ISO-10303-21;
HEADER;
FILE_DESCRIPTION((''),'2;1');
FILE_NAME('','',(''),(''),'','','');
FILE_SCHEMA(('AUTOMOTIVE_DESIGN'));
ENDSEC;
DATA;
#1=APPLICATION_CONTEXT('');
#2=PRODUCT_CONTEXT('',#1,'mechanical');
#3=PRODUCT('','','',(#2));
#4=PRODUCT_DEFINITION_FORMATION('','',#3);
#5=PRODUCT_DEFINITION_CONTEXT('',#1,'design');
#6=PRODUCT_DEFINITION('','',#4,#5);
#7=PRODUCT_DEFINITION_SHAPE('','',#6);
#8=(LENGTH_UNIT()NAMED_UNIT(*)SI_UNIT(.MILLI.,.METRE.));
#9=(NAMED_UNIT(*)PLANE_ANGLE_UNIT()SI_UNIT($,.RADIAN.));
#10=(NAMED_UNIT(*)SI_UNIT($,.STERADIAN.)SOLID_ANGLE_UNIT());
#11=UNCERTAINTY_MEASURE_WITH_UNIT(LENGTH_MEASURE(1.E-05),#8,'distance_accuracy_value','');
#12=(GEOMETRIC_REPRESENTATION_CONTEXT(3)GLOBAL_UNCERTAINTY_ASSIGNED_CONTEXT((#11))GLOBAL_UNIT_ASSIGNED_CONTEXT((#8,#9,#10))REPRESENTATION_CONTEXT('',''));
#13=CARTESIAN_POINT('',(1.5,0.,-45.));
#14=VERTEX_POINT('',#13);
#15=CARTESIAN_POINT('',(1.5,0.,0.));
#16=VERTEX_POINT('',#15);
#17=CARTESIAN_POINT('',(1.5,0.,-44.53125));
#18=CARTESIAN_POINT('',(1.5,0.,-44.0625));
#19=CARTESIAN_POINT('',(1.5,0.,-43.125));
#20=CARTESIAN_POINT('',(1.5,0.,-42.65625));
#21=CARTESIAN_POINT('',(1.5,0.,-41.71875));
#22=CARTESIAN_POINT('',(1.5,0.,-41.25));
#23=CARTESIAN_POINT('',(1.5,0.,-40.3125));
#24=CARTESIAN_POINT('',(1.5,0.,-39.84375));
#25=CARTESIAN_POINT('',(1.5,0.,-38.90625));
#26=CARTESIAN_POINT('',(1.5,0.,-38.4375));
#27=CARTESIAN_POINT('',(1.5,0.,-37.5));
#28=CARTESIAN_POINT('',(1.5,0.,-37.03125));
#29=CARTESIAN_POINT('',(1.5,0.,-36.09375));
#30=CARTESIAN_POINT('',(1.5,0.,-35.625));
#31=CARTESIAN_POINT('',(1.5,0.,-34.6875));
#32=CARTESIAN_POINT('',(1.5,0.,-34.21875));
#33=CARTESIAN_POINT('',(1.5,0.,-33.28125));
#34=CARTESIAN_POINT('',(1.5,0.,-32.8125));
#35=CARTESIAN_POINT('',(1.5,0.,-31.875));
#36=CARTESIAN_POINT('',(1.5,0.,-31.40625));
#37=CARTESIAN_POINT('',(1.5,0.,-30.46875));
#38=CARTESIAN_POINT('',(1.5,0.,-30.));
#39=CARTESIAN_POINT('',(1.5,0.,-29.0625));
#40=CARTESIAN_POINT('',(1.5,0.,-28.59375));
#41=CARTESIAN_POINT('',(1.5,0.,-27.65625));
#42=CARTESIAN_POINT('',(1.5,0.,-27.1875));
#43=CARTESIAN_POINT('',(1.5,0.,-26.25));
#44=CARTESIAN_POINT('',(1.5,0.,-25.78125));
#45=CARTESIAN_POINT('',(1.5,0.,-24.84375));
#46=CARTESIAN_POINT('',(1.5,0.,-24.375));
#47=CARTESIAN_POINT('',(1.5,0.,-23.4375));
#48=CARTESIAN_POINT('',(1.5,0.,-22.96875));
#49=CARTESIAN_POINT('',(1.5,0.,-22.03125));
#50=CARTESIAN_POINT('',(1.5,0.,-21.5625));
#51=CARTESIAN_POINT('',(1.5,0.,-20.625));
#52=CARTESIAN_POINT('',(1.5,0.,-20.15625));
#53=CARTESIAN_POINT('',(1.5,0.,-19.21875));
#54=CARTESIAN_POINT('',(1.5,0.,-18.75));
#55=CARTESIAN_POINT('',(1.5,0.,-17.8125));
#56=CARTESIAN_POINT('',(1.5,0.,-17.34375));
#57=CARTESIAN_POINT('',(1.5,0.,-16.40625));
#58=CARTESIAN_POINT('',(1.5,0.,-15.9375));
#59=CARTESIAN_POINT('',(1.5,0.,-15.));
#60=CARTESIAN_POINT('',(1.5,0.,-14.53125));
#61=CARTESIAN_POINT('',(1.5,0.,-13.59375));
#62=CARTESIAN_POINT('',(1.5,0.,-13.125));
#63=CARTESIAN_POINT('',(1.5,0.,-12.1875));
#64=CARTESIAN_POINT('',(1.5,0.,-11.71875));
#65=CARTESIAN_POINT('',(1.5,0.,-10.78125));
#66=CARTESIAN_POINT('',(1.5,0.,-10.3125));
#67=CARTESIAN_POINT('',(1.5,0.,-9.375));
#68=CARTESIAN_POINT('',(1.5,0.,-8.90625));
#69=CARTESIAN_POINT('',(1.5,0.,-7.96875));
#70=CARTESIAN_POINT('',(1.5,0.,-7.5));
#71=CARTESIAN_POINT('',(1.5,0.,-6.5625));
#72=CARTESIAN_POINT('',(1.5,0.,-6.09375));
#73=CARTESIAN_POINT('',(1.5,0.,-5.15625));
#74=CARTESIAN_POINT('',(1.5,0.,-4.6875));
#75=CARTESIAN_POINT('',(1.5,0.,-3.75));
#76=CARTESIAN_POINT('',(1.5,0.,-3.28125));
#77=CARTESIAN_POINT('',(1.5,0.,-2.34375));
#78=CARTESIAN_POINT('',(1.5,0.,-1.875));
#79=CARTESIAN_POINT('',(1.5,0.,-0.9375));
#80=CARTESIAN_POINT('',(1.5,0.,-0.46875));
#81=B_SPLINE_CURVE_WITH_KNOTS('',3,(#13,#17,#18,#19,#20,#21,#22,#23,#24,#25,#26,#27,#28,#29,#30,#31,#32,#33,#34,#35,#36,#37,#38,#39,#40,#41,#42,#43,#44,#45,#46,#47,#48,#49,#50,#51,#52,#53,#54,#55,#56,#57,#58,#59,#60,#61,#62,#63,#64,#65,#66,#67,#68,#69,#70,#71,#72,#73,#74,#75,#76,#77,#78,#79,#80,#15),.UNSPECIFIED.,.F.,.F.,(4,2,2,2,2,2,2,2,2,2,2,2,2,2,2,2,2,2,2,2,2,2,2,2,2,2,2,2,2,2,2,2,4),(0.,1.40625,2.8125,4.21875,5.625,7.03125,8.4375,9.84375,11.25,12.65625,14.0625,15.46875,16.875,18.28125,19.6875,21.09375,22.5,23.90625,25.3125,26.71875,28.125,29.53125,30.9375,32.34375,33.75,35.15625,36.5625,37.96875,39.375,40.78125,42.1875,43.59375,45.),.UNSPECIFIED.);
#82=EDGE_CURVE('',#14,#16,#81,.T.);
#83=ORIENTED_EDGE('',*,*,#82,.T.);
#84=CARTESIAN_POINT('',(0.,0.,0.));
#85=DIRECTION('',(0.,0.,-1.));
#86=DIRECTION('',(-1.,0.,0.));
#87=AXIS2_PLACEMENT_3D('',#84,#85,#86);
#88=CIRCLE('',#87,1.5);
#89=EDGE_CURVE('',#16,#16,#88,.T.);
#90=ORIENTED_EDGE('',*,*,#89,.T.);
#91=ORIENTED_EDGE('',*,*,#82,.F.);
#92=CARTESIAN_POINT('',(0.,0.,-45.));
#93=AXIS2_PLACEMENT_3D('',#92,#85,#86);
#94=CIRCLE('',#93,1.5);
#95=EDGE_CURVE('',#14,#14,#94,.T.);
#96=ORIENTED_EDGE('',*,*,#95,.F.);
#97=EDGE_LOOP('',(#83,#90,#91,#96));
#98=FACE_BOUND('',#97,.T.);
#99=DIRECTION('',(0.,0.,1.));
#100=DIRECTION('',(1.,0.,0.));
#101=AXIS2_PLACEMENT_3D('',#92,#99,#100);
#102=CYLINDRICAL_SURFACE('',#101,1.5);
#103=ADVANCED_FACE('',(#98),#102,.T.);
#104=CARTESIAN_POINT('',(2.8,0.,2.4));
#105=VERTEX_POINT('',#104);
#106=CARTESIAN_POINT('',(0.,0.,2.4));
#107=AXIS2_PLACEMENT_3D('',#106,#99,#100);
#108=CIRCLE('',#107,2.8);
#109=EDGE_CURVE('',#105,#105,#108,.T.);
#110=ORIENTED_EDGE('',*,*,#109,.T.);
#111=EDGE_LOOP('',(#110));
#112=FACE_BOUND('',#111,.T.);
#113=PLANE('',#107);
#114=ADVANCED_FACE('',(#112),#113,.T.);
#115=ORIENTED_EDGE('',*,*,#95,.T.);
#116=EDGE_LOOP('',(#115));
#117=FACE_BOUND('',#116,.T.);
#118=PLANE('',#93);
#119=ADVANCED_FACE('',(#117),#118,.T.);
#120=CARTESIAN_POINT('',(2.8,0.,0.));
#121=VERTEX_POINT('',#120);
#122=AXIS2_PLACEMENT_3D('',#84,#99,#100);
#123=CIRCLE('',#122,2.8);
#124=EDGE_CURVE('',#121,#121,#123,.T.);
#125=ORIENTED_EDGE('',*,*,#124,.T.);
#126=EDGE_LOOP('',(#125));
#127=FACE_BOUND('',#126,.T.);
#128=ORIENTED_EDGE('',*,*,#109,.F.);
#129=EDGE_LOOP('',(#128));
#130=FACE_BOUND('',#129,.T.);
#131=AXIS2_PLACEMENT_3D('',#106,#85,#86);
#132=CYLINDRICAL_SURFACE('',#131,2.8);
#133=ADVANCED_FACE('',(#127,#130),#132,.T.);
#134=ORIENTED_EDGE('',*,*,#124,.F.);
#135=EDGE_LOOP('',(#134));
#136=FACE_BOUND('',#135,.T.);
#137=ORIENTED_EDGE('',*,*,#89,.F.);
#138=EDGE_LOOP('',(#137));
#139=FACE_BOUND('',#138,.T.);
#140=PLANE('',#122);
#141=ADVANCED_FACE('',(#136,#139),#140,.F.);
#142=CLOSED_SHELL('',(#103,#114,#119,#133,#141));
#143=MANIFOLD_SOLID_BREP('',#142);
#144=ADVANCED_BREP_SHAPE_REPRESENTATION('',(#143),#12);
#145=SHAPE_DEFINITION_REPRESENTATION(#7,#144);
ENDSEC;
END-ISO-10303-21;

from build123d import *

# Parameters (mm, degrees)
ESQUISSE1_R        = 2.8
BOSS_EXTRU_1_DEPTH = 2.4
ESQUISSE2_R        = 1.5
BOSS_EXTRU_2_DEPTH = 45


with BuildPart() as part:
    # Esquisse1 → Boss.-Extru.1 (new body)
    with BuildSketch(Plane.XY):
        Circle(ESQUISSE1_R)
    extrude(amount=BOSS_EXTRU_1_DEPTH)

    # Esquisse2 → Boss.-Extru.2 (add)
    with BuildSketch(Plane(origin=(0, 0, 0), x_dir=(-1, 0, 0), z_dir=(0, 0, -1))):
        with Locations(Location((0, 0, 0), (0, 0, 180))):
            Circle(ESQUISSE2_R)
    extrude(amount=BOSS_EXTRU_2_DEPTH)


solid = part.part
